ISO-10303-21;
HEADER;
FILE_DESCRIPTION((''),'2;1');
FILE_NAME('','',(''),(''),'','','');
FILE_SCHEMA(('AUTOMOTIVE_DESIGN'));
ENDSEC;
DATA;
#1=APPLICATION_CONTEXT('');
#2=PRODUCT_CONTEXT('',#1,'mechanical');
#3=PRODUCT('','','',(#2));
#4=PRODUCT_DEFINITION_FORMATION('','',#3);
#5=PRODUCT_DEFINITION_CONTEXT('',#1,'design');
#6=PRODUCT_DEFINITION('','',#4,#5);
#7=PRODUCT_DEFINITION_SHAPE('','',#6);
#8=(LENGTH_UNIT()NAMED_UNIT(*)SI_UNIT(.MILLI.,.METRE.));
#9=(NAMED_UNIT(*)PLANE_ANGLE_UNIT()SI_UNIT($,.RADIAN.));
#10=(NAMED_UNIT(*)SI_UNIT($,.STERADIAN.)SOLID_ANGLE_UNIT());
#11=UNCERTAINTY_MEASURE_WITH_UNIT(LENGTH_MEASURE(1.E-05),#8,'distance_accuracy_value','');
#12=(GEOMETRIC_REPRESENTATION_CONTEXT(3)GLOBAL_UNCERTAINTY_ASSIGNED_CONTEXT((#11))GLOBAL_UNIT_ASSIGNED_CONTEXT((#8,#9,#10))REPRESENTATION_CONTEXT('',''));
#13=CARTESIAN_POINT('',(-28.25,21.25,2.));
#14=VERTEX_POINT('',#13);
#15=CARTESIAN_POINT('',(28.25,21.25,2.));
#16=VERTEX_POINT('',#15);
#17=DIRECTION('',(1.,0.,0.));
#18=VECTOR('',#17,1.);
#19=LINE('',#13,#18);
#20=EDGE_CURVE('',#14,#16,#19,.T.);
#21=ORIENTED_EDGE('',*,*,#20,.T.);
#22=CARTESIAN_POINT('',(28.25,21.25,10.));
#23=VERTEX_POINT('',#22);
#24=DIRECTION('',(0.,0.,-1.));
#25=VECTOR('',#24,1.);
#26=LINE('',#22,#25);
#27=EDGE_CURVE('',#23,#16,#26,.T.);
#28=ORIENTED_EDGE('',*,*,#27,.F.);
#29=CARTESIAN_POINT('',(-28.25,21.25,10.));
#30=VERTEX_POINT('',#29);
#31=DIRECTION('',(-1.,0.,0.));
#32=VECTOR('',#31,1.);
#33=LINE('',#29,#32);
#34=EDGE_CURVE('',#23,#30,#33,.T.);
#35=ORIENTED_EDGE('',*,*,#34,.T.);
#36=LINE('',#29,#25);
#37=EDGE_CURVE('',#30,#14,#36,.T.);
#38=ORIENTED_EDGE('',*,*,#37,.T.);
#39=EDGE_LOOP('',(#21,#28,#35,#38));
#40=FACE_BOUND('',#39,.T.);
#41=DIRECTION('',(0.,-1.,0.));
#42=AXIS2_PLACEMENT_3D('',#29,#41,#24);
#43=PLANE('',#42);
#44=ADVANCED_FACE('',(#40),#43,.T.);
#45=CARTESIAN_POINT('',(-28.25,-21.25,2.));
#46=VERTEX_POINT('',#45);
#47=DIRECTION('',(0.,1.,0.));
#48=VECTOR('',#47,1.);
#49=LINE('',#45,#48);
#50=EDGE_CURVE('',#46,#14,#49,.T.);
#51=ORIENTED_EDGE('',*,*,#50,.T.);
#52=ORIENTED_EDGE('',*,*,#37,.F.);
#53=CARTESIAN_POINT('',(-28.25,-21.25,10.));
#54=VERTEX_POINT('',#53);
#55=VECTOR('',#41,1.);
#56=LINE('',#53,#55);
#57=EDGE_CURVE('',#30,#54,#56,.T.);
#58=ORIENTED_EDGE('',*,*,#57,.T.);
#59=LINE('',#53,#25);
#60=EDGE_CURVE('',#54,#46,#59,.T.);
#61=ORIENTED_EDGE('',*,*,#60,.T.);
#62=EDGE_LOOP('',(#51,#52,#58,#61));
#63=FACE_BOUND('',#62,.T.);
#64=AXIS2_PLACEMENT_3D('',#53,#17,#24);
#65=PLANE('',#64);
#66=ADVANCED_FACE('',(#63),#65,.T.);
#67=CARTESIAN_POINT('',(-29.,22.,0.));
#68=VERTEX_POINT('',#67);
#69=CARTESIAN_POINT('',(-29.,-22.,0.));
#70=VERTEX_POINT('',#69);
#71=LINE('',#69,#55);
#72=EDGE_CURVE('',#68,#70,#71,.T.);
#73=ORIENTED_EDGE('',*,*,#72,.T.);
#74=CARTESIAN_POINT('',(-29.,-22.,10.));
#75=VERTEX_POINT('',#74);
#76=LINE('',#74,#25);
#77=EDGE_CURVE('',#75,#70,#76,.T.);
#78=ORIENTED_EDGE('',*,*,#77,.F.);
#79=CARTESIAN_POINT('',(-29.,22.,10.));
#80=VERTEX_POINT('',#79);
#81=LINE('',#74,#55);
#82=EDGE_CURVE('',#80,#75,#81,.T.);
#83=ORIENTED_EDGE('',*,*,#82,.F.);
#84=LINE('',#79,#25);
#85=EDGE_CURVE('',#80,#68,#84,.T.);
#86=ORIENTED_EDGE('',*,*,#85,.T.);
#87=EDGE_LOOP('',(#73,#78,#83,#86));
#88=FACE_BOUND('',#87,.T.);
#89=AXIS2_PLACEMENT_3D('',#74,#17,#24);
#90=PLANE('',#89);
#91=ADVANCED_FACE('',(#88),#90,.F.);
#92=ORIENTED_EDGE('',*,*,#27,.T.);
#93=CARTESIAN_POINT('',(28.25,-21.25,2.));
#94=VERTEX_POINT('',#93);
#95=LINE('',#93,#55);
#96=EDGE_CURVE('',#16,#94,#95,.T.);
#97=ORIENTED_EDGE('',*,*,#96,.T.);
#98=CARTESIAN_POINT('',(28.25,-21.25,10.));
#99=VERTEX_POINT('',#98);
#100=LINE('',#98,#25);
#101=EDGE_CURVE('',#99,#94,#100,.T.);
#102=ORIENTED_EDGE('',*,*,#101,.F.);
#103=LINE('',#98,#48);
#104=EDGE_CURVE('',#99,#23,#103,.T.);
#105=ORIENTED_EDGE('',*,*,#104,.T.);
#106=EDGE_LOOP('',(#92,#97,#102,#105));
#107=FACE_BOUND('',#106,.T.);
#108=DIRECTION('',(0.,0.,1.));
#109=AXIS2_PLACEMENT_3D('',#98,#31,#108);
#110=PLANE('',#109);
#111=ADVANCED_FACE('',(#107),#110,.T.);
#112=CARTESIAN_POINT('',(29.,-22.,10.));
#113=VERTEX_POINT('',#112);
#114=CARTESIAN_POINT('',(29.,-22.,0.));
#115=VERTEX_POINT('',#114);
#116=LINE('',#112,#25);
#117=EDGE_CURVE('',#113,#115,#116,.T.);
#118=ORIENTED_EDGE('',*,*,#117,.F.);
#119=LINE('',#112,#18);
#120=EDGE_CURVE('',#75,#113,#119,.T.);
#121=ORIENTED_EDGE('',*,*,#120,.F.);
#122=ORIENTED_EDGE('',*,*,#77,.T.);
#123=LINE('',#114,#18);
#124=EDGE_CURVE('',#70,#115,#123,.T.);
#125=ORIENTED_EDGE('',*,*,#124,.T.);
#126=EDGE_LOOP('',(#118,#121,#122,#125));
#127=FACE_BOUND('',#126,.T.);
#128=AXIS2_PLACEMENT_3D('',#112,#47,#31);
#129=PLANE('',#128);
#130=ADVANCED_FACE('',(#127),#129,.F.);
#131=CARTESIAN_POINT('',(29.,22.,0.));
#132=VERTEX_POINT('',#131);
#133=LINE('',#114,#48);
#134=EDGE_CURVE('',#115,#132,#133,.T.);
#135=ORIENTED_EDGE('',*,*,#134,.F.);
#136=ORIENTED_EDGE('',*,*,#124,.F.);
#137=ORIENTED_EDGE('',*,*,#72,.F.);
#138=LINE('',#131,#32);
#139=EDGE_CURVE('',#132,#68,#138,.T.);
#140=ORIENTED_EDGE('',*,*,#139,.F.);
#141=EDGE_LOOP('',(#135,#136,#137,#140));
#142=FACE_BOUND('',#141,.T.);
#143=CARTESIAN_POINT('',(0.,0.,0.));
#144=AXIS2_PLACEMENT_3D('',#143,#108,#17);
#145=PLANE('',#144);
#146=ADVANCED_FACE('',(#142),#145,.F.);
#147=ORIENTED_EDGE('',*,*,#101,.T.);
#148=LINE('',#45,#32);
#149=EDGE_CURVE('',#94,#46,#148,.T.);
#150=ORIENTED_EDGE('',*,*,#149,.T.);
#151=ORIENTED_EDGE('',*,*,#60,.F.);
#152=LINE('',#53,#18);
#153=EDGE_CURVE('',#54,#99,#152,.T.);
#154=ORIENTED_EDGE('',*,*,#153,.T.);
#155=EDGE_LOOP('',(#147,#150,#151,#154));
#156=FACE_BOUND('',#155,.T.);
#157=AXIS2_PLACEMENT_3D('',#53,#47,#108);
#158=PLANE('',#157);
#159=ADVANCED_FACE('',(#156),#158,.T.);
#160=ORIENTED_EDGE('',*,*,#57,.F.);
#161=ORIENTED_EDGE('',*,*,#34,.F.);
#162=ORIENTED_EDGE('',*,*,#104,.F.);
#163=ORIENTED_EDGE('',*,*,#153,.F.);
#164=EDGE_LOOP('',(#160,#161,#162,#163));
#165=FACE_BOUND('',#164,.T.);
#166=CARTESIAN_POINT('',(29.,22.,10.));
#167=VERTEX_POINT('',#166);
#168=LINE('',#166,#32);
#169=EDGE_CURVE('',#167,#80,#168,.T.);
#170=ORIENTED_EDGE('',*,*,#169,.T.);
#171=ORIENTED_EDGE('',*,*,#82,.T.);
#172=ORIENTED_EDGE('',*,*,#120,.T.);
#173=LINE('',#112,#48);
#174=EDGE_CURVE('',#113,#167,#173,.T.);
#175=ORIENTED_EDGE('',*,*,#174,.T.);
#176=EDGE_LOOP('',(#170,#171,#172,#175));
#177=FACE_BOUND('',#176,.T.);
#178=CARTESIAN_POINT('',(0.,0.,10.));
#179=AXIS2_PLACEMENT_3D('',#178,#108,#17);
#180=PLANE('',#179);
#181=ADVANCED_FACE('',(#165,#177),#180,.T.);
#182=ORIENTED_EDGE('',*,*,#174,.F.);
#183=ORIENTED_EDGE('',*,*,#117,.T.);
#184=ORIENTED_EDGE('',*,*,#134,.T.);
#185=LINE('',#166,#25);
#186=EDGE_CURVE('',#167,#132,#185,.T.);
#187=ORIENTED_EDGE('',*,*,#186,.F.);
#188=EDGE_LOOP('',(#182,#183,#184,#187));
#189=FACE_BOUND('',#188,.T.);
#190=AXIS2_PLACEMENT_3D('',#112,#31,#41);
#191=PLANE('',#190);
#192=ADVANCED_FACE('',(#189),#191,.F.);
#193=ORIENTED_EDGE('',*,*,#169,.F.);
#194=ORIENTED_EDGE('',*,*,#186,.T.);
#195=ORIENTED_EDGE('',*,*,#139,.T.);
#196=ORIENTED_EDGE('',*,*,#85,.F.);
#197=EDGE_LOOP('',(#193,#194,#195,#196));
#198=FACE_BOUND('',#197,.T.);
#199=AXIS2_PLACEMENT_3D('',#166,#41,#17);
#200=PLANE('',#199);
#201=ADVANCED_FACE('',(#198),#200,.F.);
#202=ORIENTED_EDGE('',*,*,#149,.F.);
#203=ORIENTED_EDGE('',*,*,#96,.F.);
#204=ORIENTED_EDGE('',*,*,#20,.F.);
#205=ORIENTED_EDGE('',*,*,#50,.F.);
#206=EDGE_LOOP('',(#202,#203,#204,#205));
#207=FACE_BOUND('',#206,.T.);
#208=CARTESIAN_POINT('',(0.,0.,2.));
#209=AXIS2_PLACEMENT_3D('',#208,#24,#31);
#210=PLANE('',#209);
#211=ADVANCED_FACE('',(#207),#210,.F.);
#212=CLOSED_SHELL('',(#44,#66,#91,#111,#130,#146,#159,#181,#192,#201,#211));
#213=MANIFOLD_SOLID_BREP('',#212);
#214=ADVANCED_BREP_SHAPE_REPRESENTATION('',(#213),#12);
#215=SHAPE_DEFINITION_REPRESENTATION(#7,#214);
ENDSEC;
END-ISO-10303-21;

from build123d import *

# Parameters (mm, degrees)
SKETCH1_W           = 58
SKETCH1_H           = 44
SKETCH1_W_2         = 56.5
SKETCH1_H_2         = 42.5
BOSS_EXTRUDE1_DEPTH = 10
SKETCH2_W           = 58
SKETCH2_H           = 44
BOSS_EXTRUDE2_DEPTH = 2


with BuildPart() as part:
    # Sketch1 → Boss-Extrude1 (new body)
    with BuildSketch(Plane.XY):
        Rectangle(SKETCH1_W, SKETCH1_H)
        Rectangle(SKETCH1_W_2, SKETCH1_H_2, mode=Mode.SUBTRACT)
    extrude(amount=BOSS_EXTRUDE1_DEPTH)

    # Sketch2 → Boss-Extrude2 (add)
    with BuildSketch(Plane.XY):
        Rectangle(SKETCH2_W, SKETCH2_H)
    extrude(amount=BOSS_EXTRUDE2_DEPTH)


solid = part.part
